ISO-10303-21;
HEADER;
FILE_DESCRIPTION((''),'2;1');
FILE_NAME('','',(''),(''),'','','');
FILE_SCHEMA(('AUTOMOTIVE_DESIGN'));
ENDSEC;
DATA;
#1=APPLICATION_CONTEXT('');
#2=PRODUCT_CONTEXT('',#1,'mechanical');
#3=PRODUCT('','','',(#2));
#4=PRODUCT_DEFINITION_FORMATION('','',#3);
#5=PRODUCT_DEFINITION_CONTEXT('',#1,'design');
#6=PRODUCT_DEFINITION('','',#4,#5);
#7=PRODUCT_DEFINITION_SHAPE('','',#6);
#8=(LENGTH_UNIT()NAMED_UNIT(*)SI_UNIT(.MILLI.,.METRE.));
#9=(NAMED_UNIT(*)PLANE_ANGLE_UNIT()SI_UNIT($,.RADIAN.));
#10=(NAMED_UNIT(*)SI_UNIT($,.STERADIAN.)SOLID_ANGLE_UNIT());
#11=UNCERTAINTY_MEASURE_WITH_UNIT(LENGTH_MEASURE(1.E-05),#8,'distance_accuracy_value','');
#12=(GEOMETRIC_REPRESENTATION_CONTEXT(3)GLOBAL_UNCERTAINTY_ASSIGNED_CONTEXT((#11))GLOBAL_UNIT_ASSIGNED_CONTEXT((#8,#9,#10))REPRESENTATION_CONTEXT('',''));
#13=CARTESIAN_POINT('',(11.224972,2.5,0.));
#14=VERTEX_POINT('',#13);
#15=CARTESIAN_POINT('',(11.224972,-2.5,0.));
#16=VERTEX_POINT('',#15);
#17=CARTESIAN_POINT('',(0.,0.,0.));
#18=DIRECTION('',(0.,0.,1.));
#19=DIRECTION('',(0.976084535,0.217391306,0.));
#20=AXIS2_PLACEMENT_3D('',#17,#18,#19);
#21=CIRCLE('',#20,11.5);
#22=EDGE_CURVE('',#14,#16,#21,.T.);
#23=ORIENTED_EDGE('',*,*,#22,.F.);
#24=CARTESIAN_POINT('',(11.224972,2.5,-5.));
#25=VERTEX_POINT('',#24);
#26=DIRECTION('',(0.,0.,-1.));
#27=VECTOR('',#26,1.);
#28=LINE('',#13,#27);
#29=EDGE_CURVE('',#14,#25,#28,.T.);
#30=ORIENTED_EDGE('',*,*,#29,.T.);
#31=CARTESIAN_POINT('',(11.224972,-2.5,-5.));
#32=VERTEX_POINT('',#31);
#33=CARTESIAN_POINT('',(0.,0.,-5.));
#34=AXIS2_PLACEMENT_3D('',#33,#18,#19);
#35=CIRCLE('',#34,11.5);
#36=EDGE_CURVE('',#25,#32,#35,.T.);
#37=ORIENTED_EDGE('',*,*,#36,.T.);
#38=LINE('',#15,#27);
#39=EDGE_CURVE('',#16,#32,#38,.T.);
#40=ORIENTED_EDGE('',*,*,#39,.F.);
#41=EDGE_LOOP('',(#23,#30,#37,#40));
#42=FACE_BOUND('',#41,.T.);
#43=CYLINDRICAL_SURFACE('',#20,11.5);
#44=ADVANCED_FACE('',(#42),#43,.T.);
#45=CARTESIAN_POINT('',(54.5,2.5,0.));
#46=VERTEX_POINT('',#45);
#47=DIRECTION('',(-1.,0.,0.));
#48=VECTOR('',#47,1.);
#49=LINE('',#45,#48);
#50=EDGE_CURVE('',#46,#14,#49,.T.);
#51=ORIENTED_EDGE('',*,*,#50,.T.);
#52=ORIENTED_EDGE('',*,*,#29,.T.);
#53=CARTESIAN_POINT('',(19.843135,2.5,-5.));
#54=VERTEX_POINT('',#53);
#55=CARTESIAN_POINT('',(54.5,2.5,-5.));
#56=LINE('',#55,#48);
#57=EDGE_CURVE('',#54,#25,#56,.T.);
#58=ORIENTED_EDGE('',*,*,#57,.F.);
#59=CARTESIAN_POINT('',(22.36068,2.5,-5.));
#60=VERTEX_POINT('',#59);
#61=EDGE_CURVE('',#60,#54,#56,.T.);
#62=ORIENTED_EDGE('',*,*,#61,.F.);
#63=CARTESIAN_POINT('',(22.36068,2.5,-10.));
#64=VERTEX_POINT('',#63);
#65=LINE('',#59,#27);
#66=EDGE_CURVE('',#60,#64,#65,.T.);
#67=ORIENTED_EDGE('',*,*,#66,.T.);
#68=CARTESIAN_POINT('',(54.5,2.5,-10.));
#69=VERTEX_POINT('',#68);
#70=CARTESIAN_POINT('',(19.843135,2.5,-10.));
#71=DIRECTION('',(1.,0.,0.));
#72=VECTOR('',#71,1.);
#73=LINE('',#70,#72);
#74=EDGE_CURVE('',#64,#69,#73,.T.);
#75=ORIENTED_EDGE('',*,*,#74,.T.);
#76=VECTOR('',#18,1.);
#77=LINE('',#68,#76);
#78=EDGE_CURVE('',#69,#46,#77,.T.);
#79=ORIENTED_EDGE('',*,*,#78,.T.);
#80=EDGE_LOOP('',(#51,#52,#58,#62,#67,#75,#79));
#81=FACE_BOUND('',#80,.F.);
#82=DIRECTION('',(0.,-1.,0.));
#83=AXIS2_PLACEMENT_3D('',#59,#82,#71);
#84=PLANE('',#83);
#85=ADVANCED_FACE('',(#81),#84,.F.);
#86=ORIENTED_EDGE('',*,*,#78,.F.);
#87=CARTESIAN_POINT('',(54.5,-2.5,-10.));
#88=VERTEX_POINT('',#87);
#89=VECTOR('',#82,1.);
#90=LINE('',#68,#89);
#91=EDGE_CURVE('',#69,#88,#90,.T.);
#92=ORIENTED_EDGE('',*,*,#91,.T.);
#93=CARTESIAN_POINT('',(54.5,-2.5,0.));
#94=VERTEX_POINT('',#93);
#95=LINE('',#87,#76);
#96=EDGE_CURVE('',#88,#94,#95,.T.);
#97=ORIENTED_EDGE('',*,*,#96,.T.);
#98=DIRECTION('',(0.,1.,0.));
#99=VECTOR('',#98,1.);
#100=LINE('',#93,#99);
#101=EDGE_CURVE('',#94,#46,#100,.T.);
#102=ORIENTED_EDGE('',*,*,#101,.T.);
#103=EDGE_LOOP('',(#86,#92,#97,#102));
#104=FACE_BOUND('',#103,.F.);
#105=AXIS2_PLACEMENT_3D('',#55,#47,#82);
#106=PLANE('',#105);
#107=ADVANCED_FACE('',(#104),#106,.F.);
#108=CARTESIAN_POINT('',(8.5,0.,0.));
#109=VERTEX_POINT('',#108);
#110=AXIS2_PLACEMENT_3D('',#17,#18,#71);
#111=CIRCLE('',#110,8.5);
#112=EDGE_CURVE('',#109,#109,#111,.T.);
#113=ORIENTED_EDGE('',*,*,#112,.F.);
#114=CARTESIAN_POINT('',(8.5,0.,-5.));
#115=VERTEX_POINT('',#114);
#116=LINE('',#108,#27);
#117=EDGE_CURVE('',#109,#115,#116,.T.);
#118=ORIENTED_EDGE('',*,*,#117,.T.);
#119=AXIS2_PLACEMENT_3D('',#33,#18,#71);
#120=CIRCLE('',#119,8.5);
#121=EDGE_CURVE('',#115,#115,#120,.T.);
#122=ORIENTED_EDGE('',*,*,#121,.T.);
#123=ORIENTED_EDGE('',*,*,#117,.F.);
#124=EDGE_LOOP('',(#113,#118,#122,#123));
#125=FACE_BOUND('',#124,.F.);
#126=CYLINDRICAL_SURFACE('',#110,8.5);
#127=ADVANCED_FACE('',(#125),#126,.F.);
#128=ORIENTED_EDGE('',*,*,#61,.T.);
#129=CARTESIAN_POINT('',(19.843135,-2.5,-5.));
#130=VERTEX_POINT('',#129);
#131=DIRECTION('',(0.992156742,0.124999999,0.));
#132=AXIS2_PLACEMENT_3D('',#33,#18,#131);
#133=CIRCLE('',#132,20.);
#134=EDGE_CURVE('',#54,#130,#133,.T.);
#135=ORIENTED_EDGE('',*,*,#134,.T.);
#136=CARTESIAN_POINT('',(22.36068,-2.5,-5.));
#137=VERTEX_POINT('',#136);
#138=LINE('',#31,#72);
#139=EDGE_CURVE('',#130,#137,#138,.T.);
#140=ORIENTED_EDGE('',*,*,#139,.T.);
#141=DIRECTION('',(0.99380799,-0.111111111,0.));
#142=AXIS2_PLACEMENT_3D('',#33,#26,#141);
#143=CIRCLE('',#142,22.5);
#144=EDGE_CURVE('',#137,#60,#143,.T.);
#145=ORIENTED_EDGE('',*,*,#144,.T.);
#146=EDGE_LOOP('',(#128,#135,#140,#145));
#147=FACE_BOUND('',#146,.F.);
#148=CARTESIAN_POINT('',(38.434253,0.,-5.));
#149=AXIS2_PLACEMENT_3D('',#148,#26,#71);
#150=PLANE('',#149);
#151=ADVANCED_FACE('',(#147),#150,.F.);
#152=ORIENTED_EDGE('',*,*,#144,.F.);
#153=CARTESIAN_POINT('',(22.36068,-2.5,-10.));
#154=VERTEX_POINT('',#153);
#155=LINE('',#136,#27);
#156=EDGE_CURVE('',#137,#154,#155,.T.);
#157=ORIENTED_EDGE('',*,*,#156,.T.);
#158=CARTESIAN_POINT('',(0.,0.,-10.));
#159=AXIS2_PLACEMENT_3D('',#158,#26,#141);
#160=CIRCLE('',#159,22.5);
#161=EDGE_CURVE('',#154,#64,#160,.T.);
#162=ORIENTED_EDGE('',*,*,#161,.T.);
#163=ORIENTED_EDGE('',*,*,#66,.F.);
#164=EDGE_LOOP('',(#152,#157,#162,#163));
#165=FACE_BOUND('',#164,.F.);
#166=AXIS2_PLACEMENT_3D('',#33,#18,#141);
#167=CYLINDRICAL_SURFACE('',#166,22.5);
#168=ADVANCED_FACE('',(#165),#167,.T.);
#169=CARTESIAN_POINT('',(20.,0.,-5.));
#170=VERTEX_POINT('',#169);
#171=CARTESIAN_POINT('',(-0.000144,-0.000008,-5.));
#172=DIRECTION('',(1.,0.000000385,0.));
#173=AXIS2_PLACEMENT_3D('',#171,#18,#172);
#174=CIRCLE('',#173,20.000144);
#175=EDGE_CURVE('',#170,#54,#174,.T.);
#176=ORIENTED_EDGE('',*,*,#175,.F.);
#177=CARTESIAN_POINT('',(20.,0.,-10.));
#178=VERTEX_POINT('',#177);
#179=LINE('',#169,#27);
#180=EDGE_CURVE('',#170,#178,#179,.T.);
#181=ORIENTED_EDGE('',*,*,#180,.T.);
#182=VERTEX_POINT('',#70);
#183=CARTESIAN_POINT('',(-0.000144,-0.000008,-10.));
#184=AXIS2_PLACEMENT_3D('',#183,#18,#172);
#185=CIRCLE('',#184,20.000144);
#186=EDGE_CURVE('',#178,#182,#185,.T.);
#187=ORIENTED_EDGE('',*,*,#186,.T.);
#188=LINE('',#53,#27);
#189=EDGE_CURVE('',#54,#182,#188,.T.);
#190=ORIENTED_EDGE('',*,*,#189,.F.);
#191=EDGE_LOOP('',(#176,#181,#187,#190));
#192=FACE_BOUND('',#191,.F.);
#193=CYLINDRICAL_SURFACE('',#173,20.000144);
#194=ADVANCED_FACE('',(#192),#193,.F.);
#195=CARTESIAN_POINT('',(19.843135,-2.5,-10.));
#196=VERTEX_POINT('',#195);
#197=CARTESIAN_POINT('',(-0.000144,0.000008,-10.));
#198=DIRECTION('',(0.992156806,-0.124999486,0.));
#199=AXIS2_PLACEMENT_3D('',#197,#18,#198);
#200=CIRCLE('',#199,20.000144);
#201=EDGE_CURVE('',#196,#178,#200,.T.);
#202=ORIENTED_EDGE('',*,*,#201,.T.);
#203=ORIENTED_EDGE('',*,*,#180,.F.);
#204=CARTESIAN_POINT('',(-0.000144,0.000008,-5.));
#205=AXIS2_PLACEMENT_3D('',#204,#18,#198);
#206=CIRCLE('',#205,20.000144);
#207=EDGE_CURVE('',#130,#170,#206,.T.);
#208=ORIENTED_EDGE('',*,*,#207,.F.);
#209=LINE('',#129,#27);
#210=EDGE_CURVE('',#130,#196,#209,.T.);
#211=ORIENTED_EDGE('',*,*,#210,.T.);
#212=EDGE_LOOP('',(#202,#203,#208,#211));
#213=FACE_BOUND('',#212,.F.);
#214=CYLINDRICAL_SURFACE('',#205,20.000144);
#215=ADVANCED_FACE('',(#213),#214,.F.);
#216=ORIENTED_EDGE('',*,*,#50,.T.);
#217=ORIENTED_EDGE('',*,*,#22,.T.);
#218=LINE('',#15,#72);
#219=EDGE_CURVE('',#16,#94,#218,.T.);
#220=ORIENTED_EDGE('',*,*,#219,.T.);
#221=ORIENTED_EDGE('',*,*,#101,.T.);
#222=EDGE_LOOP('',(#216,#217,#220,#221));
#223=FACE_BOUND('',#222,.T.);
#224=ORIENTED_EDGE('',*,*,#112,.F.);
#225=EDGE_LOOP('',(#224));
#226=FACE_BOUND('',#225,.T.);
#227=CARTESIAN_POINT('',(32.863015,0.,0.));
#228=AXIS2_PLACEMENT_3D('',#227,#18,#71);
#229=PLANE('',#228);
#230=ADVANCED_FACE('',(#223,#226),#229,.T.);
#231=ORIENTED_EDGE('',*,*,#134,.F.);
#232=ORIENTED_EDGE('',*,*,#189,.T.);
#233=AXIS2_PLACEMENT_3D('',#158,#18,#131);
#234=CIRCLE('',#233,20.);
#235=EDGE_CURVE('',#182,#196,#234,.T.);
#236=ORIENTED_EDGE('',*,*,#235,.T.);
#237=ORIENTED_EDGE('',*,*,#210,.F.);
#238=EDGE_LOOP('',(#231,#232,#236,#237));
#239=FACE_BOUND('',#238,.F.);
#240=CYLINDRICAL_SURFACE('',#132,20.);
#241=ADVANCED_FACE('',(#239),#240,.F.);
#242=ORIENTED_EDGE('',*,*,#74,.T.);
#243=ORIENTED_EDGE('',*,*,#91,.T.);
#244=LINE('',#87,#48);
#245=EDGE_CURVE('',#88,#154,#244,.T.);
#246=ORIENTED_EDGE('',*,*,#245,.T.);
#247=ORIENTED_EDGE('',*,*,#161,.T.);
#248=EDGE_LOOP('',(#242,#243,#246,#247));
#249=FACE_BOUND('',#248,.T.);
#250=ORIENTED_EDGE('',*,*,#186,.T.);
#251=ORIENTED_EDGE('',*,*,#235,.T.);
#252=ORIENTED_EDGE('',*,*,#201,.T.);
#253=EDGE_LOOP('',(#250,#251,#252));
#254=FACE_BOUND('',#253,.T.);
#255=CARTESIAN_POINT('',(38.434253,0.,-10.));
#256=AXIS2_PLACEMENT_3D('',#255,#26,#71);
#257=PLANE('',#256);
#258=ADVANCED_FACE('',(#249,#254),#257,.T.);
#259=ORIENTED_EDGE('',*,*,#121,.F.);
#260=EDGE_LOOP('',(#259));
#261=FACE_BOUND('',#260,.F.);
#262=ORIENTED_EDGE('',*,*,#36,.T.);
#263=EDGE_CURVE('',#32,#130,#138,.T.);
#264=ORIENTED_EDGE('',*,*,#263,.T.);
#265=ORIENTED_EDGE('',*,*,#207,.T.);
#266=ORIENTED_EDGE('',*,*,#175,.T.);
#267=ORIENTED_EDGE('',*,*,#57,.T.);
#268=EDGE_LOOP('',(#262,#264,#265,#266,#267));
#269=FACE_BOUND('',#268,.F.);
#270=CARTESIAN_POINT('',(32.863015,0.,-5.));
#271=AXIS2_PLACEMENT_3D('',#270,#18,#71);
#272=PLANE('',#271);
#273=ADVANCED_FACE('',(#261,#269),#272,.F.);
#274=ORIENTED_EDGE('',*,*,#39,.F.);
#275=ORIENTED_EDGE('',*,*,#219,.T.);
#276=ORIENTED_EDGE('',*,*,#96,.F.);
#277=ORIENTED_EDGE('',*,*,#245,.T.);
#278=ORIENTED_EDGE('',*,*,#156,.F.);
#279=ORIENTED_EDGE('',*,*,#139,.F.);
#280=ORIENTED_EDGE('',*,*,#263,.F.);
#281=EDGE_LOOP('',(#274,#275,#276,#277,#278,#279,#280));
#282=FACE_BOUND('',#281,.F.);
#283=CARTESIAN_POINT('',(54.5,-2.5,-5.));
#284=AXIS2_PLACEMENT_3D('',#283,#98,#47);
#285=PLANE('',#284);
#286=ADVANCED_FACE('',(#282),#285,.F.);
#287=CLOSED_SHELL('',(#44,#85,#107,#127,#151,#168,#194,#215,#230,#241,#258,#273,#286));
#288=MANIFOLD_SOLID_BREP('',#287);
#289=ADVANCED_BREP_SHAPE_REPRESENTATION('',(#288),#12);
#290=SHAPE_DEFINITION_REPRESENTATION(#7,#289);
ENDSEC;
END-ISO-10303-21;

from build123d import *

# Parameters (mm, degrees)
F0_R     = 8.5
F1_DEPTH = 5
F3_DEPTH = 5


with BuildPart() as f1:
    # F0 (on Top) → F1 (new body)
    with BuildSketch(Plane.XY):
        with BuildLine():
            ThreePointArc((11.224972, 2.5), (11.431036, 1.257541), (11.5, 0))
            ThreePointArc((11.5, 0), (11.431036, -1.257541), (11.224972, -2.5))
            Line((11.224972, -2.5), (54.5, -2.5))
            Line((54.5, -2.5), (54.5, 0))
            Line((54.5, 0), (54.5, 2.5))
            Line((54.5, 2.5), (11.224972, 2.5))
        make_face()
        with BuildLine():
            ThreePointArc((11.224972, -2.5), (11.431036, -1.257541), (11.5, 0))
            ThreePointArc((11.5, 0), (11.431036, 1.257541), (11.224972, 2.5))
            ThreePointArc((11.224972, 2.5), (-11.5, 0), (11.224972, -2.5))
        make_face()
        Circle(F0_R, mode=Mode.SUBTRACT)
    extrude(amount=-F1_DEPTH)

    # F2 (on face) → F3 (join)
    with BuildSketch(Plane(origin=(0, 0, -5), x_dir=(1, 0, 0), z_dir=(0, 0, -1))):
        with BuildLine():
            Line((54.5, 2.5), (22.36068, 2.5))
            ThreePointArc((22.36068, 2.5), (22.465143, 1.25194), (22.5, 0))
            ThreePointArc((22.5, 0), (22.465143, -1.25194), (22.36068, -2.5))
            Line((22.36068, -2.5), (54.5, -2.5))
            Line((54.5, -2.5), (54.5, 2.5))
        make_face()
        with BuildLine():
            ThreePointArc((19.843135, 2.5), (19.960745, 1.252458), (20, 0))
            ThreePointArc((20, 0), (19.960745, -1.252458), (19.843135, -2.5))
            Line((19.843135, -2.5), (22.36068, -2.5))
            ThreePointArc((22.36068, -2.5), (22.465143, -1.25194), (22.5, 0))
            ThreePointArc((22.5, 0), (22.465143, 1.25194), (22.36068, 2.5))
            Line((22.36068, 2.5), (19.843135, 2.5))
        make_face()
        with BuildLine():
            ThreePointArc((19.843135, -2.5), (-20, 0), (19.843135, 2.5))
            Line((19.843135, 2.5), (22.36068, 2.5))
            ThreePointArc((22.36068, 2.5), (-22.5, 0), (22.36068, -2.5))
            Line((22.36068, -2.5), (19.843135, -2.5))
        make_face()
    extrude(amount=F3_DEPTH)


solid = f1.part
